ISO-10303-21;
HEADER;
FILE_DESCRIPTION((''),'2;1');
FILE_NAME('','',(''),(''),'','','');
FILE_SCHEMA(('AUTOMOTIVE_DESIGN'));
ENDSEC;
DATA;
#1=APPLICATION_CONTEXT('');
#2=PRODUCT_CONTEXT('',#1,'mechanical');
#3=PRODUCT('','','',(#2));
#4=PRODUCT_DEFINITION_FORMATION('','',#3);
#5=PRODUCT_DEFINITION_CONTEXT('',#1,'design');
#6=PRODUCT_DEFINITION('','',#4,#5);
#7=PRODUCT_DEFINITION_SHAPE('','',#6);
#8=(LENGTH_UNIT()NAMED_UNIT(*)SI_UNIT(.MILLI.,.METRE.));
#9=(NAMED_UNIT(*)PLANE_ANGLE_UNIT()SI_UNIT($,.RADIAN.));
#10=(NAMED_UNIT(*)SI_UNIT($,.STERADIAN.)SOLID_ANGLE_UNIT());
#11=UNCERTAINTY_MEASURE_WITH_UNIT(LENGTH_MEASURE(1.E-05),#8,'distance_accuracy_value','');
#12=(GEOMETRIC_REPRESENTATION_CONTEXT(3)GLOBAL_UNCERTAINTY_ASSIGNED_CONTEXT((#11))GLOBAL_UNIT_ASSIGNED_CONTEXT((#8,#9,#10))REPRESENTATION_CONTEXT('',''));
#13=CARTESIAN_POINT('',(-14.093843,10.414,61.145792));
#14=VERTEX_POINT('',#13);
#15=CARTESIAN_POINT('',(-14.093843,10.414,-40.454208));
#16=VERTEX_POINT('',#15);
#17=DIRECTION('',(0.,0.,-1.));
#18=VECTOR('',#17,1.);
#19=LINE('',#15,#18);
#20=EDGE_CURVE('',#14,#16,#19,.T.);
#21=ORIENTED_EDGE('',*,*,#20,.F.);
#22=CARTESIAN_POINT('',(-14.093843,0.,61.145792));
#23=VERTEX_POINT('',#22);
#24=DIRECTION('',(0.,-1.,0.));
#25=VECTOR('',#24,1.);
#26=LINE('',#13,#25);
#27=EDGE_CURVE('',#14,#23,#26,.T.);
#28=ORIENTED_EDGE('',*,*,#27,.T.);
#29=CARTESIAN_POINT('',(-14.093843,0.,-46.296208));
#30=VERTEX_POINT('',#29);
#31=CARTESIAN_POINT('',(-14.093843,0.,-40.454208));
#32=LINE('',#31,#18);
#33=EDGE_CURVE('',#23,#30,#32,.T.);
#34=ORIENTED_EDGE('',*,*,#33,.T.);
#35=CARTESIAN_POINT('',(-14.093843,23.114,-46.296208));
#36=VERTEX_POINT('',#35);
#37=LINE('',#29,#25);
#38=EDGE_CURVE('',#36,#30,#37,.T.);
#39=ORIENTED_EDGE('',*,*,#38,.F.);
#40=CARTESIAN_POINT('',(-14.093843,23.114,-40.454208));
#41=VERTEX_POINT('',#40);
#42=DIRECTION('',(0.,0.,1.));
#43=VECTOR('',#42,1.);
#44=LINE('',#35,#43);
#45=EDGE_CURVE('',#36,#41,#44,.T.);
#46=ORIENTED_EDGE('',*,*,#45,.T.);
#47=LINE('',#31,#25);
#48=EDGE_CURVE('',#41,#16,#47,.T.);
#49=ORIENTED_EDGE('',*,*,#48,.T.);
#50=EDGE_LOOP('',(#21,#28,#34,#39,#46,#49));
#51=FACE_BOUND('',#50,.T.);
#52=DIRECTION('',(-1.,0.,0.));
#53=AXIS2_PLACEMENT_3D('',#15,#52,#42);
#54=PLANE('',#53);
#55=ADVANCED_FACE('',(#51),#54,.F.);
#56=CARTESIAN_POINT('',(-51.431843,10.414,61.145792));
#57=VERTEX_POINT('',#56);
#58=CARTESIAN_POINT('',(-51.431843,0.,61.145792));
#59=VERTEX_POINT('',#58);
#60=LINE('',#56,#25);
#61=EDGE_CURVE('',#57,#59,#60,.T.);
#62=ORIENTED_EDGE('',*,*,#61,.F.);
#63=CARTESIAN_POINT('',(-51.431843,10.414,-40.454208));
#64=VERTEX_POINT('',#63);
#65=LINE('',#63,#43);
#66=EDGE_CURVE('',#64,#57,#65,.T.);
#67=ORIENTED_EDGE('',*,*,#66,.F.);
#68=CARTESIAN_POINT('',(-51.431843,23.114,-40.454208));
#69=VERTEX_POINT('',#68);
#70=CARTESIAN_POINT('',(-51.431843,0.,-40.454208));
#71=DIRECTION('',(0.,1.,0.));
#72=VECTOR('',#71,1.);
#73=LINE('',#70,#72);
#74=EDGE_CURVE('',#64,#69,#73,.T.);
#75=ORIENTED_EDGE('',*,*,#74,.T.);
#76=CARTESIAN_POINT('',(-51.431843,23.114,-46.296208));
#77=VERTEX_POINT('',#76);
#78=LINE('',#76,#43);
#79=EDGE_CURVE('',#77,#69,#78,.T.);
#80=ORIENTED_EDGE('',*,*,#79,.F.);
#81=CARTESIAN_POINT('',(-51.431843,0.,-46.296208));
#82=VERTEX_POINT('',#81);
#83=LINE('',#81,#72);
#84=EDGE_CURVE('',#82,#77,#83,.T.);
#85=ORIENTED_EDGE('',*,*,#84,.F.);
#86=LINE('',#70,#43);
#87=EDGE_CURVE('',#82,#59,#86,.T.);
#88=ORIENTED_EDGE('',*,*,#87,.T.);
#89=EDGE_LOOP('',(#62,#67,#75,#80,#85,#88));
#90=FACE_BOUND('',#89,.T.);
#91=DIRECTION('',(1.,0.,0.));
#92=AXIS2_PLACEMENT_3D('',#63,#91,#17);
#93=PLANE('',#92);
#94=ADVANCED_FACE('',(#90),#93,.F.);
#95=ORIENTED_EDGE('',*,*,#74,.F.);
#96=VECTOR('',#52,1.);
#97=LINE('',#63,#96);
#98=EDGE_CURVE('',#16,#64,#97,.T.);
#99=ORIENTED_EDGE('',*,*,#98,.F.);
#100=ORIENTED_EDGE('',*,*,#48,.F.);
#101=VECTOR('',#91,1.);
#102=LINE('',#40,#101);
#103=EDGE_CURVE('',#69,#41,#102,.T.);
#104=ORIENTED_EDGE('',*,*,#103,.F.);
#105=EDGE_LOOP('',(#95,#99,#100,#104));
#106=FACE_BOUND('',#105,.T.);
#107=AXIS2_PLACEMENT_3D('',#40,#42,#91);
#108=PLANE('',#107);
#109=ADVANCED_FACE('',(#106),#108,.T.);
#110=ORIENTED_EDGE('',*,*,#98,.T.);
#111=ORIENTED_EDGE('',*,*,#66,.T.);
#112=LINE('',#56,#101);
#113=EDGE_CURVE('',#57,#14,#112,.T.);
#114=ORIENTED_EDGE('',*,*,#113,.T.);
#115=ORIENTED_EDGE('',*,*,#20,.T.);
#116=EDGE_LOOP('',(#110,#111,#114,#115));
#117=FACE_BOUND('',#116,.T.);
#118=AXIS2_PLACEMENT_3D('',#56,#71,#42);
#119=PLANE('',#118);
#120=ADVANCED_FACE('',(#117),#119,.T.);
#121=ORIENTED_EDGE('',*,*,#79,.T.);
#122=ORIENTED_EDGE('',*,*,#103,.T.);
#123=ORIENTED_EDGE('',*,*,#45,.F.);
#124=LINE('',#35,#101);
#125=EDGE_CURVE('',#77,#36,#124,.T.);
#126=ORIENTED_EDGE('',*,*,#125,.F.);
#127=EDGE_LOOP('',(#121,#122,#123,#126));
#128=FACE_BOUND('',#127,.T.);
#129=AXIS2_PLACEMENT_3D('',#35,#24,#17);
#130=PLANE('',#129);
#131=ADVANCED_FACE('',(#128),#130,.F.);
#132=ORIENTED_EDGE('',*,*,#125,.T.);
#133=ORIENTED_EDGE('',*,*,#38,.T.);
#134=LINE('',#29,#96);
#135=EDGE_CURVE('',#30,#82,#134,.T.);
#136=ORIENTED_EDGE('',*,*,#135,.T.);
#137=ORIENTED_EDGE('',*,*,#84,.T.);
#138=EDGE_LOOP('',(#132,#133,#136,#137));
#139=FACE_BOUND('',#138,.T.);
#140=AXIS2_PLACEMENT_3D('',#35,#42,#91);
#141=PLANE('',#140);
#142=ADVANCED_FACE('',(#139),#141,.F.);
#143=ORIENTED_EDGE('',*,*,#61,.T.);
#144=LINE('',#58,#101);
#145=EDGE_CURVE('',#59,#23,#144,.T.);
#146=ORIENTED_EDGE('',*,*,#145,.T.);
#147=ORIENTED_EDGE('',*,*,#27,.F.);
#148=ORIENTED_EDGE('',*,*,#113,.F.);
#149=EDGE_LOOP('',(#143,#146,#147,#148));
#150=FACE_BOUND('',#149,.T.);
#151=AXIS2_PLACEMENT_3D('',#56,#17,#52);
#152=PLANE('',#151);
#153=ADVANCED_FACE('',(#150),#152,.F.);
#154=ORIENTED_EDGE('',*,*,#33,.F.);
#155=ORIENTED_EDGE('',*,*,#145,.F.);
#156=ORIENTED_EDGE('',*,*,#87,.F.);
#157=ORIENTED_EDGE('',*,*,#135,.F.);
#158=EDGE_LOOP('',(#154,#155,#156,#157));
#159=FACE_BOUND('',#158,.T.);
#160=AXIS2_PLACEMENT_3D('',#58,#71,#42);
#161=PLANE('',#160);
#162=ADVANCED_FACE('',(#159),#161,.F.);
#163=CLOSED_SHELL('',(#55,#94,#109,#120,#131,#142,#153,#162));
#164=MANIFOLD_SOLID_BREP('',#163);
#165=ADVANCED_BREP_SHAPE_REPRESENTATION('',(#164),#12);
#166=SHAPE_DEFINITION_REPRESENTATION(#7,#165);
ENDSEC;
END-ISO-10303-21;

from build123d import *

# Parameters (mm, degrees)
SKETCH1_W      = 37.338
SKETCH1_H      = 101.6
EXTRUDE1_DEPTH = 10.414
SKETCH2_W      = 37.338
SKETCH2_H      = 23.114
EXTRUDE2_DEPTH = 5.842


with BuildPart() as part:
    # Sketch1 → Extrude1 (new body)
    with BuildSketch(Plane(origin=(0, 0, 0), x_dir=(1, 0, 0), z_dir=(0, 1, 0))):
        with Locations((-32.762843109, -10.345791583)):
            Rectangle(SKETCH1_W, SKETCH1_H)
    extrude(amount=EXTRUDE1_DEPTH)

    # Sketch2 → Extrude2 (add)
    with BuildSketch(Plane(origin=(0, 0, -40.454208417), x_dir=(-1, 0, 0), z_dir=(0, 0, -1))):
        with Locations((32.762843109, 11.557)):
            Rectangle(SKETCH2_W, SKETCH2_H)
    extrude(amount=EXTRUDE2_DEPTH)


solid = part.part
